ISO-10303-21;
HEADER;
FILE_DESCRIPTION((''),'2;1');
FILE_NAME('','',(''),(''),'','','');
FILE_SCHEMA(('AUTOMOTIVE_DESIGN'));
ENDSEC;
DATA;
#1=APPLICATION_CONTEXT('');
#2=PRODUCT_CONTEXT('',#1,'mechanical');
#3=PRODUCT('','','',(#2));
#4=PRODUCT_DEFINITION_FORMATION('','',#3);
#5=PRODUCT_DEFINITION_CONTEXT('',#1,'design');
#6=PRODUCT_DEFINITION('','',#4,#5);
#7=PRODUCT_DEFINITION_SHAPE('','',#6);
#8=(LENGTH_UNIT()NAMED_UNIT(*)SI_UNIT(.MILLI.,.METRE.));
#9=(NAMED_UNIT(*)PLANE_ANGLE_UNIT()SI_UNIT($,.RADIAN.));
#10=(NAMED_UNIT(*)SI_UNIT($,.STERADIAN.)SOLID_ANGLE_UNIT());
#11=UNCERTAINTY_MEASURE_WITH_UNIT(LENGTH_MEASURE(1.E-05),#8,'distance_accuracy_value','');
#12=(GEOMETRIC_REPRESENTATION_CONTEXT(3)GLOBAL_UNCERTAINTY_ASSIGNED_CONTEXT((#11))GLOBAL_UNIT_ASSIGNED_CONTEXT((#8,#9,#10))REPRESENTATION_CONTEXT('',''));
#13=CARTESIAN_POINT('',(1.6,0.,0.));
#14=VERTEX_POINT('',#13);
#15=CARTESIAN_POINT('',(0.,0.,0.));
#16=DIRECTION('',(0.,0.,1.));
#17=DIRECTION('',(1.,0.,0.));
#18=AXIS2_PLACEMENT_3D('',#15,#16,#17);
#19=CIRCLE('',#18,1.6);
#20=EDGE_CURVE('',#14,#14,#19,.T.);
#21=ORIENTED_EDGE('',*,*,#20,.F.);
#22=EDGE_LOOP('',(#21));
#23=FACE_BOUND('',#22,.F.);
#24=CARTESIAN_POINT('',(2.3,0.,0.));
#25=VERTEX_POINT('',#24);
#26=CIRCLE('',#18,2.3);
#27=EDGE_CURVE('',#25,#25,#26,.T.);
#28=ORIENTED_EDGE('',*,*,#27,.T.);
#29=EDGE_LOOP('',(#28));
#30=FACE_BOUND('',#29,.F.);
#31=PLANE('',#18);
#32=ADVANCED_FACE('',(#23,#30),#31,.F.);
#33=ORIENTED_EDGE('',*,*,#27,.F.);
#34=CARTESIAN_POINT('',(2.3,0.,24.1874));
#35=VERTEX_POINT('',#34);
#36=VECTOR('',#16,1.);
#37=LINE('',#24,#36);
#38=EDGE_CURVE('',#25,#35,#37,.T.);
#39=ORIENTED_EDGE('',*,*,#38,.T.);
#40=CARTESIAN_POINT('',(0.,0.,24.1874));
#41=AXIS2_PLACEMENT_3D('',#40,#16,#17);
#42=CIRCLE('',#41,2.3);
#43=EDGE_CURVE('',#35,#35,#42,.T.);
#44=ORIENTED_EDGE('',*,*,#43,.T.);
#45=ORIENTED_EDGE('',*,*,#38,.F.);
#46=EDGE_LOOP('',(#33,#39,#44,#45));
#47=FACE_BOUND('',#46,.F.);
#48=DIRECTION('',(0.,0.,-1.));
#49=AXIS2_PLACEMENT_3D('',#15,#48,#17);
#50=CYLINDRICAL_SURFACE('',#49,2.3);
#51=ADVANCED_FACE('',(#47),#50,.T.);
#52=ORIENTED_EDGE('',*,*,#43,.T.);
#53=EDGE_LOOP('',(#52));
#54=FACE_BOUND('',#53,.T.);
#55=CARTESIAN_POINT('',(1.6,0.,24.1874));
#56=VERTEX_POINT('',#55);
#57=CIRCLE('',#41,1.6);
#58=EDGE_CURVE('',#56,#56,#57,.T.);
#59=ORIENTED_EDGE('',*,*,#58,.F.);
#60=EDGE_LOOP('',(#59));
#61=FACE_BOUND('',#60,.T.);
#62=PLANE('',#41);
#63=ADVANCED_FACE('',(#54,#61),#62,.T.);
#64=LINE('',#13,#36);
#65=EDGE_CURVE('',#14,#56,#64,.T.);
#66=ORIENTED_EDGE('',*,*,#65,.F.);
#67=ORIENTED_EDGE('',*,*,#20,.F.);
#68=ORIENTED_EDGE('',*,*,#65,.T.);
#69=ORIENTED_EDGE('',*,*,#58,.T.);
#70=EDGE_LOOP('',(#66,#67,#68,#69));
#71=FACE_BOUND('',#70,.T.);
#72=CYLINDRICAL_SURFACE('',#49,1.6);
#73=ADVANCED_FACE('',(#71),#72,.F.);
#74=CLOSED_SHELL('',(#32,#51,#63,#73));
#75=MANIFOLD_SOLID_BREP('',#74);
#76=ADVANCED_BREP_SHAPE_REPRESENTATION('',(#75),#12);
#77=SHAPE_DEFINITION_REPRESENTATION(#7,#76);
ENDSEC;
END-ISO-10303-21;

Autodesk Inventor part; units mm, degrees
ref_plane "YZ Plane" through (0, 0, 0) normal (1, 0, 0) x (0, 1, 0)
ref_plane "XZ Plane" through (0, 0, 0) normal (0, 1, 0) x (-1, 0, 0)
ref_plane "XY Plane" through (0, 0, 0) normal (0, 0, 1) x (1, 0, 0)
sketch "Tube OD 6 mm - bore 3.2 mm" plane through (0, 0, 0) normal (0, 0, 1) x (1, 0, 0)
  circle A0 centre (0, 0) radius 2.3
  circle A1 centre (0, 0) radius 1.6
  dimension "d2" = 4.6
  dimension "d3" = 3.2
extrude "Tube length" add sketch "Tube OD 6 mm - bore 3.2 mm" along normal blind 24.1874
properties part number "ignition-alumina-tube-lower" material "Alumina"
